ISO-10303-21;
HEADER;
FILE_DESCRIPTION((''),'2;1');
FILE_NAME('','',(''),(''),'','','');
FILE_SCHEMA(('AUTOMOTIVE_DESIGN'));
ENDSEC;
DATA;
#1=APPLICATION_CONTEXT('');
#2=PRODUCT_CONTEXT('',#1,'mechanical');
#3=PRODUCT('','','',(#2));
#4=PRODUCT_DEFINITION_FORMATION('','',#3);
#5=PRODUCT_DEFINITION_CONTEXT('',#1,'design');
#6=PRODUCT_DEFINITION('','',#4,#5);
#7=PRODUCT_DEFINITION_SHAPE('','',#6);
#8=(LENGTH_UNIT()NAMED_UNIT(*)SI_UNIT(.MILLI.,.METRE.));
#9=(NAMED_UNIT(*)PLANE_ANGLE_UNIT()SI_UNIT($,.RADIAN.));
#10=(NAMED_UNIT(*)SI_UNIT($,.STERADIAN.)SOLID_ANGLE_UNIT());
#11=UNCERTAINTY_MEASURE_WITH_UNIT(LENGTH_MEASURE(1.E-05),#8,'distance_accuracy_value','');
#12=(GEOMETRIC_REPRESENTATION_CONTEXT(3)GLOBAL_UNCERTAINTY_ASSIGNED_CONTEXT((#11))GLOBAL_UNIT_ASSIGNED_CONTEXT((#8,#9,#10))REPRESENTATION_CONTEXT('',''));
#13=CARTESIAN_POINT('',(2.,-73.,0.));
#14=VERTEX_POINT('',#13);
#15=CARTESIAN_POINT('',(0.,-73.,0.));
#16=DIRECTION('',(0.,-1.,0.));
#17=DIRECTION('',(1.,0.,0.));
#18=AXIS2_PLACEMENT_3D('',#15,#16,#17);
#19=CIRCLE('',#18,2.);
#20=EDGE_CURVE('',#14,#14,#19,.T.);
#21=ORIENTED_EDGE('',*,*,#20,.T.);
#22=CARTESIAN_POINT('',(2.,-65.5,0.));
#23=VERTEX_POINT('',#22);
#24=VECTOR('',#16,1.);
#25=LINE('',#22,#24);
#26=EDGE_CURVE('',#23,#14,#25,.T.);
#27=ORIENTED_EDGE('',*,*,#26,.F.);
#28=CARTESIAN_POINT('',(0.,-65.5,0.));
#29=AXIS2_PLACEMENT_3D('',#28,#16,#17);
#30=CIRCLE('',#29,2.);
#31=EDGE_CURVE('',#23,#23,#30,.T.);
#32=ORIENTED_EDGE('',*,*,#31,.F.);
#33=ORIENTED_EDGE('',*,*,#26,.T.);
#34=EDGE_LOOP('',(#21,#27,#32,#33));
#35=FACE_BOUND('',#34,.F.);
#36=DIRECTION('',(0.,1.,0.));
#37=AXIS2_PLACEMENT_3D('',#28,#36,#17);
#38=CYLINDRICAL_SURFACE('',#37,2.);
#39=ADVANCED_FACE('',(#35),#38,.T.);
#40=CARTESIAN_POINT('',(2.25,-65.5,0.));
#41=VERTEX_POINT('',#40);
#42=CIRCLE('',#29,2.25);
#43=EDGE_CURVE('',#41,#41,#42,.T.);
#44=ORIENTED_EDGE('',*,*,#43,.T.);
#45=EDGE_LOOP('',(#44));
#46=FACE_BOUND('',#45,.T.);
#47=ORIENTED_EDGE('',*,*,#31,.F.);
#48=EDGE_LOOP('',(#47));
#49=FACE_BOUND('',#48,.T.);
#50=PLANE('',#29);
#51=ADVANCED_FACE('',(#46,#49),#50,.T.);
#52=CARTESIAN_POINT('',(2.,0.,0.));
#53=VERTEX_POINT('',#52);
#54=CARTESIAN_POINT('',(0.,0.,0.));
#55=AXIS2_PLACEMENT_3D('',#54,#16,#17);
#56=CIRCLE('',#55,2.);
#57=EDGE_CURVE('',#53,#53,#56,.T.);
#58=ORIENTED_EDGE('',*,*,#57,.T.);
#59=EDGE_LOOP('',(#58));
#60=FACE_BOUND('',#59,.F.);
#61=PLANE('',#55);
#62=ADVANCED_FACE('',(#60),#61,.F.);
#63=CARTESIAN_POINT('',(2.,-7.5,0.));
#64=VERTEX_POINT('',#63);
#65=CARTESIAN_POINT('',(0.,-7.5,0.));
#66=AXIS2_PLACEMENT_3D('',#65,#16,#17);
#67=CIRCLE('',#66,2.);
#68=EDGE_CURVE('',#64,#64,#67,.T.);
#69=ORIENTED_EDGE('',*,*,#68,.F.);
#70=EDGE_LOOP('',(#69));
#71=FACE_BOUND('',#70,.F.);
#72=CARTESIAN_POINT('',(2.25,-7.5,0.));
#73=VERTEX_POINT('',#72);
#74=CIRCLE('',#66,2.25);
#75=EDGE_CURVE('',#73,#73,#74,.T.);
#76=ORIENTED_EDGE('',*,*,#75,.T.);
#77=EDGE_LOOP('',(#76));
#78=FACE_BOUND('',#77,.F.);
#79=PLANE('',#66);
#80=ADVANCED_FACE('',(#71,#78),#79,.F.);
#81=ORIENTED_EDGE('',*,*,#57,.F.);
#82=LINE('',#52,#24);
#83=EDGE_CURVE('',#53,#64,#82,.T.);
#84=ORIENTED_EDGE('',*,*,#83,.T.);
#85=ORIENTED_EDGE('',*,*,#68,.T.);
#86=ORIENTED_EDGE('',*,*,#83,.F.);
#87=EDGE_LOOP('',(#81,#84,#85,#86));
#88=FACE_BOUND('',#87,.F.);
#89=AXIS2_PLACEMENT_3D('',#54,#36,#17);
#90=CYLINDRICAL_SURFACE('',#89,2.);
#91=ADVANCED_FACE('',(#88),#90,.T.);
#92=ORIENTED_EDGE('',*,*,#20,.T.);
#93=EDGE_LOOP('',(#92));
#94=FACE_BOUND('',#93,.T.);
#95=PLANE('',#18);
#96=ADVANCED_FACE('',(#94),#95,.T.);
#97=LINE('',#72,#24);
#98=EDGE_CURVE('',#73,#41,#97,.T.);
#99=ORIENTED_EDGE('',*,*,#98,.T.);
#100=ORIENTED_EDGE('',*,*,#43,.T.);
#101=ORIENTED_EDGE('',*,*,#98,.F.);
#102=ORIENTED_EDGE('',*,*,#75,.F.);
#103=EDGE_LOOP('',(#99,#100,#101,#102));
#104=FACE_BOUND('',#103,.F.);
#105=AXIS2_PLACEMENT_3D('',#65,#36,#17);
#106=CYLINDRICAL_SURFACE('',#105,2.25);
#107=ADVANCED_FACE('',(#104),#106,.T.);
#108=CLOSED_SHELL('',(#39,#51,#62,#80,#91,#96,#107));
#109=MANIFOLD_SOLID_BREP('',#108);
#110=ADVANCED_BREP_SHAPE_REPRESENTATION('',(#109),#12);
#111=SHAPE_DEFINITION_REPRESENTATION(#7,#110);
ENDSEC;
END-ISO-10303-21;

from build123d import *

# Parameters (mm, degrees)
F0_R     = 2
F1_DEPTH = 7.5
F2_R     = 2.25
F2_R_2   = 2
F3_DEPTH = 58
F4_R     = 2
F5_DEPTH = 7.5


with BuildPart() as f1:
    # F0 (on Front) → F1 (new body)
    with BuildSketch(Plane.XZ):
        Circle(F0_R)
    extrude(amount=F1_DEPTH)

    # F2 (on face) → F3 (join)
    with BuildSketch(Plane.XZ.offset(7.5)):
        Circle(F2_R)
        Circle(F2_R_2, mode=Mode.SUBTRACT)
        Circle(F2_R_2)
    extrude(amount=F3_DEPTH)

    # F4 (on face) → F5 (join)
    with BuildSketch(Plane.XZ.offset(65.5)):
        Circle(F4_R)
    extrude(amount=F5_DEPTH)


solid = f1.part
